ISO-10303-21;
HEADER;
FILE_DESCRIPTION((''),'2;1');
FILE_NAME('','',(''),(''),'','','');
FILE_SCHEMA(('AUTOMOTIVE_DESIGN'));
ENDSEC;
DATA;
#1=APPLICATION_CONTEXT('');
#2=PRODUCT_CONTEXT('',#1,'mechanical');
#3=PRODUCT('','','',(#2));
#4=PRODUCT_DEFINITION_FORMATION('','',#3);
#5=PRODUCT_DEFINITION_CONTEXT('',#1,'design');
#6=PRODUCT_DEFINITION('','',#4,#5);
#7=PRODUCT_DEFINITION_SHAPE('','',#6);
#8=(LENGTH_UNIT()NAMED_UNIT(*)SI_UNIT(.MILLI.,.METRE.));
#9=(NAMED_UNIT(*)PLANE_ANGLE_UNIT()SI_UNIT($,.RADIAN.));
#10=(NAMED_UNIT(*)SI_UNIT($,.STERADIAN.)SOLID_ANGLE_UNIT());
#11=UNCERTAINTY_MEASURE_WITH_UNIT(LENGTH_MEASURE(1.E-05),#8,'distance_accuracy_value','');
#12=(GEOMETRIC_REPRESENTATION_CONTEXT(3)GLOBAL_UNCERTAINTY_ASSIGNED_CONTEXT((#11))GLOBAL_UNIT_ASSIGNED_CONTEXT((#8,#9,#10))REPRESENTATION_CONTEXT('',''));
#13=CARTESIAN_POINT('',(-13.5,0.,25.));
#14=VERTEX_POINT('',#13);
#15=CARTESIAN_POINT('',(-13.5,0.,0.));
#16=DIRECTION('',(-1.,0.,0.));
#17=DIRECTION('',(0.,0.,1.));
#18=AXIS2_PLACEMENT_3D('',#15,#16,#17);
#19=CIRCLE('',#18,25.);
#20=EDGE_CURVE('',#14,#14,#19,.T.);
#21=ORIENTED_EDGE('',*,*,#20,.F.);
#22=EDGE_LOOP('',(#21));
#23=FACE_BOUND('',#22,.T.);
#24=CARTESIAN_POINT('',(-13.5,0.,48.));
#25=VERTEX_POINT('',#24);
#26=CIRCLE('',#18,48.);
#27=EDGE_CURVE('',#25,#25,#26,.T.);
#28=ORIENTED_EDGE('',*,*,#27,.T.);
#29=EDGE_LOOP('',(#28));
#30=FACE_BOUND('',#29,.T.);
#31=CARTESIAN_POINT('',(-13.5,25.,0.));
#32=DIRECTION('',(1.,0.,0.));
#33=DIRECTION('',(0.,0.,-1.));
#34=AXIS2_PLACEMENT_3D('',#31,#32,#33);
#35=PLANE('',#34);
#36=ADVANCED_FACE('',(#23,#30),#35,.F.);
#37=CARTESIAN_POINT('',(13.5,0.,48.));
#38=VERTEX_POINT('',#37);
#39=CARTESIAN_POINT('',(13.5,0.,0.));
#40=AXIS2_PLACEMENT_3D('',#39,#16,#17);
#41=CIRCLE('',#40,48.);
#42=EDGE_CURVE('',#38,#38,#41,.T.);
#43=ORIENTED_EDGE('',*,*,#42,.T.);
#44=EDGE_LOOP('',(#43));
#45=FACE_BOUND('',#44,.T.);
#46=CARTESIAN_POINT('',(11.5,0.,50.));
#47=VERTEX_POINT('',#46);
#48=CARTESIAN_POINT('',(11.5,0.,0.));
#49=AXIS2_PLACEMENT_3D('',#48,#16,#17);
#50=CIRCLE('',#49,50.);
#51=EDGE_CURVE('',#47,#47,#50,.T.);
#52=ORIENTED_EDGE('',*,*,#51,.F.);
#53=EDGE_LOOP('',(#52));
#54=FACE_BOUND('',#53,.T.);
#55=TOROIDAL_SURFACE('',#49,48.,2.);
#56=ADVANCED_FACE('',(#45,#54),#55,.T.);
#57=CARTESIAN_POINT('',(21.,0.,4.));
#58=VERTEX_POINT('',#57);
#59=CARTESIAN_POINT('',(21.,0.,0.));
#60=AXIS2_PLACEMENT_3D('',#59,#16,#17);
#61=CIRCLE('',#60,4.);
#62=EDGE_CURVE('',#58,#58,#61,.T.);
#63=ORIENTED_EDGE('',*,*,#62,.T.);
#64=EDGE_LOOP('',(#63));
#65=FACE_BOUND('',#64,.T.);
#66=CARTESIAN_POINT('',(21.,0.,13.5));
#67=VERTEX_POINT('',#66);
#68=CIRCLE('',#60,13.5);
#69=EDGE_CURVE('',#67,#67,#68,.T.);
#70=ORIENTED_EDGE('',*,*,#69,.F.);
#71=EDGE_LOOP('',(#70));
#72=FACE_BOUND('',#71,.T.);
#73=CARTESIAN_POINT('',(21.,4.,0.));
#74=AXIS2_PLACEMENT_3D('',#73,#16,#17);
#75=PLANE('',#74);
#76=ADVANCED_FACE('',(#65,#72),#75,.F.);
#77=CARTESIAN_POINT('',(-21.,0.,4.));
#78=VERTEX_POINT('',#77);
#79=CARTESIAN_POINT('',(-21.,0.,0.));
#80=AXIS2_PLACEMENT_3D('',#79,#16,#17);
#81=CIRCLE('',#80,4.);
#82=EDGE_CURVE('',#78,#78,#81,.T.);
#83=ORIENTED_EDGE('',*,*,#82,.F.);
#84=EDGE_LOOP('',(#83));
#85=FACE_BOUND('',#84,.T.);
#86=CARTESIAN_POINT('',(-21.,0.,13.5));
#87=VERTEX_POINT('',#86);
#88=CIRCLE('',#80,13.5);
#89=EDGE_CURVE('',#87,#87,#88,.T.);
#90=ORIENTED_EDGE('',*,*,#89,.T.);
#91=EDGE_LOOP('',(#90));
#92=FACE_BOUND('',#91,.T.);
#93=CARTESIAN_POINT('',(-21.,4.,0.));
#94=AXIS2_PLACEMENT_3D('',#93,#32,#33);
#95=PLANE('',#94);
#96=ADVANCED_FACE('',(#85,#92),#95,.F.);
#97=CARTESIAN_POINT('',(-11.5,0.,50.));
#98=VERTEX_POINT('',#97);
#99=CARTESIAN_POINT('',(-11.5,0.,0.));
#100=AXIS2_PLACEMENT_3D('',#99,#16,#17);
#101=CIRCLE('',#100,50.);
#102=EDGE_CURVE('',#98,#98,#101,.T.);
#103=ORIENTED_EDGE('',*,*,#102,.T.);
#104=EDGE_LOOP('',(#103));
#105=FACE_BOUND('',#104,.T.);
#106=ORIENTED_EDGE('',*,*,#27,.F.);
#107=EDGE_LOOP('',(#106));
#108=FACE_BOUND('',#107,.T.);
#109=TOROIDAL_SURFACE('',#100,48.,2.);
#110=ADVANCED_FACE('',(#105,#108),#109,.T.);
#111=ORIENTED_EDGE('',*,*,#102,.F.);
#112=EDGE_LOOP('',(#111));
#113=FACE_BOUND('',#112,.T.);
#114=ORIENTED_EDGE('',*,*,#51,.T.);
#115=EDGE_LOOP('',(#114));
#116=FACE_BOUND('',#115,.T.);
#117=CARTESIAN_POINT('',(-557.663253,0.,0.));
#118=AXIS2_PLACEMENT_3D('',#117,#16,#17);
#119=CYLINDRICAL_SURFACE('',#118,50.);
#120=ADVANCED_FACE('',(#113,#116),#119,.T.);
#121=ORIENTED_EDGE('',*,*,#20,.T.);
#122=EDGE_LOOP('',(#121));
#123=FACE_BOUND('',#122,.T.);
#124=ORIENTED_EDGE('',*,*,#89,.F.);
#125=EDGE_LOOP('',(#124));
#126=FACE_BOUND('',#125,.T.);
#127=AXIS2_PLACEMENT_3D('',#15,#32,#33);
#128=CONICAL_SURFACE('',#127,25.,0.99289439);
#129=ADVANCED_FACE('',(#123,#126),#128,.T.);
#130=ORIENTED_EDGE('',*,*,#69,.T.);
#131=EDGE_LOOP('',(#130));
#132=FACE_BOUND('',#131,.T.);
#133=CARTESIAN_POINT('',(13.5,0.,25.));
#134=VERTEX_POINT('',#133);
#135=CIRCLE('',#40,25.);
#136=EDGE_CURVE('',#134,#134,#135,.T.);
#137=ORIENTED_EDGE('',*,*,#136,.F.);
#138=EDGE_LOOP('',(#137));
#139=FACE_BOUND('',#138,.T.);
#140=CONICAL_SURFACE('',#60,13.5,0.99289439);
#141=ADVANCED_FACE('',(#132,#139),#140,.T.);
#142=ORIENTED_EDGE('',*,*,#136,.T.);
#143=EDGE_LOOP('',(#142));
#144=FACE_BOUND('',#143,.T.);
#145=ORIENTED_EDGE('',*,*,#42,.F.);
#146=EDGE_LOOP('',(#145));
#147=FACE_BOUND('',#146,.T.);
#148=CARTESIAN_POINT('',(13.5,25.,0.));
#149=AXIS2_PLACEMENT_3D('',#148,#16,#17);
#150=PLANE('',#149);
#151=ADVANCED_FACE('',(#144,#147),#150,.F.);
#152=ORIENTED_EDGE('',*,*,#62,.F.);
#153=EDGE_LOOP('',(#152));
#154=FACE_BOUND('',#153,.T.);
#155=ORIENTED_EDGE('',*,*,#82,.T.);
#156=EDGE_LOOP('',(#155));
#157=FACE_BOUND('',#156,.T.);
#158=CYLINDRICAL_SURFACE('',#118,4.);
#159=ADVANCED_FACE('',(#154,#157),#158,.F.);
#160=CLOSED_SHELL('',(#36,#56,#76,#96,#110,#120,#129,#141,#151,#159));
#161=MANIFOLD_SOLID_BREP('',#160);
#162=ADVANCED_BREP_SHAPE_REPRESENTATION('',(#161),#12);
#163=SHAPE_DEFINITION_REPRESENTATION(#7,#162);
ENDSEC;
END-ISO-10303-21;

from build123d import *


with BuildPart() as part:
    # Эскиз1 → Повернуть1 (revolve)
    with BuildSketch(Plane.XY):
        with BuildLine():
            Line((21, 4), (-21, 4))
            Line((-21, 4), (-21, 13.5))
            Line((-21, 13.5), (-13.5, 25))
            Line((-13.5, 25), (-13.5, 48))
            ThreePointArc((-13.5, 48), (-12.914213562, 49.414213562), (-11.5, 50))
            Line((-11.5, 50), (11.5, 50))
            ThreePointArc((11.5, 50), (12.914213562, 49.414213562), (13.5, 48))
            Line((13.5, 48), (13.5, 25))
            Line((13.5, 25), (21, 13.5))
            Line((21, 13.5), (21, 4))
        make_face()
    revolve(axis=Axis((-557.663253442, 0, 0), (1, 0, 0)))


solid = part.part
